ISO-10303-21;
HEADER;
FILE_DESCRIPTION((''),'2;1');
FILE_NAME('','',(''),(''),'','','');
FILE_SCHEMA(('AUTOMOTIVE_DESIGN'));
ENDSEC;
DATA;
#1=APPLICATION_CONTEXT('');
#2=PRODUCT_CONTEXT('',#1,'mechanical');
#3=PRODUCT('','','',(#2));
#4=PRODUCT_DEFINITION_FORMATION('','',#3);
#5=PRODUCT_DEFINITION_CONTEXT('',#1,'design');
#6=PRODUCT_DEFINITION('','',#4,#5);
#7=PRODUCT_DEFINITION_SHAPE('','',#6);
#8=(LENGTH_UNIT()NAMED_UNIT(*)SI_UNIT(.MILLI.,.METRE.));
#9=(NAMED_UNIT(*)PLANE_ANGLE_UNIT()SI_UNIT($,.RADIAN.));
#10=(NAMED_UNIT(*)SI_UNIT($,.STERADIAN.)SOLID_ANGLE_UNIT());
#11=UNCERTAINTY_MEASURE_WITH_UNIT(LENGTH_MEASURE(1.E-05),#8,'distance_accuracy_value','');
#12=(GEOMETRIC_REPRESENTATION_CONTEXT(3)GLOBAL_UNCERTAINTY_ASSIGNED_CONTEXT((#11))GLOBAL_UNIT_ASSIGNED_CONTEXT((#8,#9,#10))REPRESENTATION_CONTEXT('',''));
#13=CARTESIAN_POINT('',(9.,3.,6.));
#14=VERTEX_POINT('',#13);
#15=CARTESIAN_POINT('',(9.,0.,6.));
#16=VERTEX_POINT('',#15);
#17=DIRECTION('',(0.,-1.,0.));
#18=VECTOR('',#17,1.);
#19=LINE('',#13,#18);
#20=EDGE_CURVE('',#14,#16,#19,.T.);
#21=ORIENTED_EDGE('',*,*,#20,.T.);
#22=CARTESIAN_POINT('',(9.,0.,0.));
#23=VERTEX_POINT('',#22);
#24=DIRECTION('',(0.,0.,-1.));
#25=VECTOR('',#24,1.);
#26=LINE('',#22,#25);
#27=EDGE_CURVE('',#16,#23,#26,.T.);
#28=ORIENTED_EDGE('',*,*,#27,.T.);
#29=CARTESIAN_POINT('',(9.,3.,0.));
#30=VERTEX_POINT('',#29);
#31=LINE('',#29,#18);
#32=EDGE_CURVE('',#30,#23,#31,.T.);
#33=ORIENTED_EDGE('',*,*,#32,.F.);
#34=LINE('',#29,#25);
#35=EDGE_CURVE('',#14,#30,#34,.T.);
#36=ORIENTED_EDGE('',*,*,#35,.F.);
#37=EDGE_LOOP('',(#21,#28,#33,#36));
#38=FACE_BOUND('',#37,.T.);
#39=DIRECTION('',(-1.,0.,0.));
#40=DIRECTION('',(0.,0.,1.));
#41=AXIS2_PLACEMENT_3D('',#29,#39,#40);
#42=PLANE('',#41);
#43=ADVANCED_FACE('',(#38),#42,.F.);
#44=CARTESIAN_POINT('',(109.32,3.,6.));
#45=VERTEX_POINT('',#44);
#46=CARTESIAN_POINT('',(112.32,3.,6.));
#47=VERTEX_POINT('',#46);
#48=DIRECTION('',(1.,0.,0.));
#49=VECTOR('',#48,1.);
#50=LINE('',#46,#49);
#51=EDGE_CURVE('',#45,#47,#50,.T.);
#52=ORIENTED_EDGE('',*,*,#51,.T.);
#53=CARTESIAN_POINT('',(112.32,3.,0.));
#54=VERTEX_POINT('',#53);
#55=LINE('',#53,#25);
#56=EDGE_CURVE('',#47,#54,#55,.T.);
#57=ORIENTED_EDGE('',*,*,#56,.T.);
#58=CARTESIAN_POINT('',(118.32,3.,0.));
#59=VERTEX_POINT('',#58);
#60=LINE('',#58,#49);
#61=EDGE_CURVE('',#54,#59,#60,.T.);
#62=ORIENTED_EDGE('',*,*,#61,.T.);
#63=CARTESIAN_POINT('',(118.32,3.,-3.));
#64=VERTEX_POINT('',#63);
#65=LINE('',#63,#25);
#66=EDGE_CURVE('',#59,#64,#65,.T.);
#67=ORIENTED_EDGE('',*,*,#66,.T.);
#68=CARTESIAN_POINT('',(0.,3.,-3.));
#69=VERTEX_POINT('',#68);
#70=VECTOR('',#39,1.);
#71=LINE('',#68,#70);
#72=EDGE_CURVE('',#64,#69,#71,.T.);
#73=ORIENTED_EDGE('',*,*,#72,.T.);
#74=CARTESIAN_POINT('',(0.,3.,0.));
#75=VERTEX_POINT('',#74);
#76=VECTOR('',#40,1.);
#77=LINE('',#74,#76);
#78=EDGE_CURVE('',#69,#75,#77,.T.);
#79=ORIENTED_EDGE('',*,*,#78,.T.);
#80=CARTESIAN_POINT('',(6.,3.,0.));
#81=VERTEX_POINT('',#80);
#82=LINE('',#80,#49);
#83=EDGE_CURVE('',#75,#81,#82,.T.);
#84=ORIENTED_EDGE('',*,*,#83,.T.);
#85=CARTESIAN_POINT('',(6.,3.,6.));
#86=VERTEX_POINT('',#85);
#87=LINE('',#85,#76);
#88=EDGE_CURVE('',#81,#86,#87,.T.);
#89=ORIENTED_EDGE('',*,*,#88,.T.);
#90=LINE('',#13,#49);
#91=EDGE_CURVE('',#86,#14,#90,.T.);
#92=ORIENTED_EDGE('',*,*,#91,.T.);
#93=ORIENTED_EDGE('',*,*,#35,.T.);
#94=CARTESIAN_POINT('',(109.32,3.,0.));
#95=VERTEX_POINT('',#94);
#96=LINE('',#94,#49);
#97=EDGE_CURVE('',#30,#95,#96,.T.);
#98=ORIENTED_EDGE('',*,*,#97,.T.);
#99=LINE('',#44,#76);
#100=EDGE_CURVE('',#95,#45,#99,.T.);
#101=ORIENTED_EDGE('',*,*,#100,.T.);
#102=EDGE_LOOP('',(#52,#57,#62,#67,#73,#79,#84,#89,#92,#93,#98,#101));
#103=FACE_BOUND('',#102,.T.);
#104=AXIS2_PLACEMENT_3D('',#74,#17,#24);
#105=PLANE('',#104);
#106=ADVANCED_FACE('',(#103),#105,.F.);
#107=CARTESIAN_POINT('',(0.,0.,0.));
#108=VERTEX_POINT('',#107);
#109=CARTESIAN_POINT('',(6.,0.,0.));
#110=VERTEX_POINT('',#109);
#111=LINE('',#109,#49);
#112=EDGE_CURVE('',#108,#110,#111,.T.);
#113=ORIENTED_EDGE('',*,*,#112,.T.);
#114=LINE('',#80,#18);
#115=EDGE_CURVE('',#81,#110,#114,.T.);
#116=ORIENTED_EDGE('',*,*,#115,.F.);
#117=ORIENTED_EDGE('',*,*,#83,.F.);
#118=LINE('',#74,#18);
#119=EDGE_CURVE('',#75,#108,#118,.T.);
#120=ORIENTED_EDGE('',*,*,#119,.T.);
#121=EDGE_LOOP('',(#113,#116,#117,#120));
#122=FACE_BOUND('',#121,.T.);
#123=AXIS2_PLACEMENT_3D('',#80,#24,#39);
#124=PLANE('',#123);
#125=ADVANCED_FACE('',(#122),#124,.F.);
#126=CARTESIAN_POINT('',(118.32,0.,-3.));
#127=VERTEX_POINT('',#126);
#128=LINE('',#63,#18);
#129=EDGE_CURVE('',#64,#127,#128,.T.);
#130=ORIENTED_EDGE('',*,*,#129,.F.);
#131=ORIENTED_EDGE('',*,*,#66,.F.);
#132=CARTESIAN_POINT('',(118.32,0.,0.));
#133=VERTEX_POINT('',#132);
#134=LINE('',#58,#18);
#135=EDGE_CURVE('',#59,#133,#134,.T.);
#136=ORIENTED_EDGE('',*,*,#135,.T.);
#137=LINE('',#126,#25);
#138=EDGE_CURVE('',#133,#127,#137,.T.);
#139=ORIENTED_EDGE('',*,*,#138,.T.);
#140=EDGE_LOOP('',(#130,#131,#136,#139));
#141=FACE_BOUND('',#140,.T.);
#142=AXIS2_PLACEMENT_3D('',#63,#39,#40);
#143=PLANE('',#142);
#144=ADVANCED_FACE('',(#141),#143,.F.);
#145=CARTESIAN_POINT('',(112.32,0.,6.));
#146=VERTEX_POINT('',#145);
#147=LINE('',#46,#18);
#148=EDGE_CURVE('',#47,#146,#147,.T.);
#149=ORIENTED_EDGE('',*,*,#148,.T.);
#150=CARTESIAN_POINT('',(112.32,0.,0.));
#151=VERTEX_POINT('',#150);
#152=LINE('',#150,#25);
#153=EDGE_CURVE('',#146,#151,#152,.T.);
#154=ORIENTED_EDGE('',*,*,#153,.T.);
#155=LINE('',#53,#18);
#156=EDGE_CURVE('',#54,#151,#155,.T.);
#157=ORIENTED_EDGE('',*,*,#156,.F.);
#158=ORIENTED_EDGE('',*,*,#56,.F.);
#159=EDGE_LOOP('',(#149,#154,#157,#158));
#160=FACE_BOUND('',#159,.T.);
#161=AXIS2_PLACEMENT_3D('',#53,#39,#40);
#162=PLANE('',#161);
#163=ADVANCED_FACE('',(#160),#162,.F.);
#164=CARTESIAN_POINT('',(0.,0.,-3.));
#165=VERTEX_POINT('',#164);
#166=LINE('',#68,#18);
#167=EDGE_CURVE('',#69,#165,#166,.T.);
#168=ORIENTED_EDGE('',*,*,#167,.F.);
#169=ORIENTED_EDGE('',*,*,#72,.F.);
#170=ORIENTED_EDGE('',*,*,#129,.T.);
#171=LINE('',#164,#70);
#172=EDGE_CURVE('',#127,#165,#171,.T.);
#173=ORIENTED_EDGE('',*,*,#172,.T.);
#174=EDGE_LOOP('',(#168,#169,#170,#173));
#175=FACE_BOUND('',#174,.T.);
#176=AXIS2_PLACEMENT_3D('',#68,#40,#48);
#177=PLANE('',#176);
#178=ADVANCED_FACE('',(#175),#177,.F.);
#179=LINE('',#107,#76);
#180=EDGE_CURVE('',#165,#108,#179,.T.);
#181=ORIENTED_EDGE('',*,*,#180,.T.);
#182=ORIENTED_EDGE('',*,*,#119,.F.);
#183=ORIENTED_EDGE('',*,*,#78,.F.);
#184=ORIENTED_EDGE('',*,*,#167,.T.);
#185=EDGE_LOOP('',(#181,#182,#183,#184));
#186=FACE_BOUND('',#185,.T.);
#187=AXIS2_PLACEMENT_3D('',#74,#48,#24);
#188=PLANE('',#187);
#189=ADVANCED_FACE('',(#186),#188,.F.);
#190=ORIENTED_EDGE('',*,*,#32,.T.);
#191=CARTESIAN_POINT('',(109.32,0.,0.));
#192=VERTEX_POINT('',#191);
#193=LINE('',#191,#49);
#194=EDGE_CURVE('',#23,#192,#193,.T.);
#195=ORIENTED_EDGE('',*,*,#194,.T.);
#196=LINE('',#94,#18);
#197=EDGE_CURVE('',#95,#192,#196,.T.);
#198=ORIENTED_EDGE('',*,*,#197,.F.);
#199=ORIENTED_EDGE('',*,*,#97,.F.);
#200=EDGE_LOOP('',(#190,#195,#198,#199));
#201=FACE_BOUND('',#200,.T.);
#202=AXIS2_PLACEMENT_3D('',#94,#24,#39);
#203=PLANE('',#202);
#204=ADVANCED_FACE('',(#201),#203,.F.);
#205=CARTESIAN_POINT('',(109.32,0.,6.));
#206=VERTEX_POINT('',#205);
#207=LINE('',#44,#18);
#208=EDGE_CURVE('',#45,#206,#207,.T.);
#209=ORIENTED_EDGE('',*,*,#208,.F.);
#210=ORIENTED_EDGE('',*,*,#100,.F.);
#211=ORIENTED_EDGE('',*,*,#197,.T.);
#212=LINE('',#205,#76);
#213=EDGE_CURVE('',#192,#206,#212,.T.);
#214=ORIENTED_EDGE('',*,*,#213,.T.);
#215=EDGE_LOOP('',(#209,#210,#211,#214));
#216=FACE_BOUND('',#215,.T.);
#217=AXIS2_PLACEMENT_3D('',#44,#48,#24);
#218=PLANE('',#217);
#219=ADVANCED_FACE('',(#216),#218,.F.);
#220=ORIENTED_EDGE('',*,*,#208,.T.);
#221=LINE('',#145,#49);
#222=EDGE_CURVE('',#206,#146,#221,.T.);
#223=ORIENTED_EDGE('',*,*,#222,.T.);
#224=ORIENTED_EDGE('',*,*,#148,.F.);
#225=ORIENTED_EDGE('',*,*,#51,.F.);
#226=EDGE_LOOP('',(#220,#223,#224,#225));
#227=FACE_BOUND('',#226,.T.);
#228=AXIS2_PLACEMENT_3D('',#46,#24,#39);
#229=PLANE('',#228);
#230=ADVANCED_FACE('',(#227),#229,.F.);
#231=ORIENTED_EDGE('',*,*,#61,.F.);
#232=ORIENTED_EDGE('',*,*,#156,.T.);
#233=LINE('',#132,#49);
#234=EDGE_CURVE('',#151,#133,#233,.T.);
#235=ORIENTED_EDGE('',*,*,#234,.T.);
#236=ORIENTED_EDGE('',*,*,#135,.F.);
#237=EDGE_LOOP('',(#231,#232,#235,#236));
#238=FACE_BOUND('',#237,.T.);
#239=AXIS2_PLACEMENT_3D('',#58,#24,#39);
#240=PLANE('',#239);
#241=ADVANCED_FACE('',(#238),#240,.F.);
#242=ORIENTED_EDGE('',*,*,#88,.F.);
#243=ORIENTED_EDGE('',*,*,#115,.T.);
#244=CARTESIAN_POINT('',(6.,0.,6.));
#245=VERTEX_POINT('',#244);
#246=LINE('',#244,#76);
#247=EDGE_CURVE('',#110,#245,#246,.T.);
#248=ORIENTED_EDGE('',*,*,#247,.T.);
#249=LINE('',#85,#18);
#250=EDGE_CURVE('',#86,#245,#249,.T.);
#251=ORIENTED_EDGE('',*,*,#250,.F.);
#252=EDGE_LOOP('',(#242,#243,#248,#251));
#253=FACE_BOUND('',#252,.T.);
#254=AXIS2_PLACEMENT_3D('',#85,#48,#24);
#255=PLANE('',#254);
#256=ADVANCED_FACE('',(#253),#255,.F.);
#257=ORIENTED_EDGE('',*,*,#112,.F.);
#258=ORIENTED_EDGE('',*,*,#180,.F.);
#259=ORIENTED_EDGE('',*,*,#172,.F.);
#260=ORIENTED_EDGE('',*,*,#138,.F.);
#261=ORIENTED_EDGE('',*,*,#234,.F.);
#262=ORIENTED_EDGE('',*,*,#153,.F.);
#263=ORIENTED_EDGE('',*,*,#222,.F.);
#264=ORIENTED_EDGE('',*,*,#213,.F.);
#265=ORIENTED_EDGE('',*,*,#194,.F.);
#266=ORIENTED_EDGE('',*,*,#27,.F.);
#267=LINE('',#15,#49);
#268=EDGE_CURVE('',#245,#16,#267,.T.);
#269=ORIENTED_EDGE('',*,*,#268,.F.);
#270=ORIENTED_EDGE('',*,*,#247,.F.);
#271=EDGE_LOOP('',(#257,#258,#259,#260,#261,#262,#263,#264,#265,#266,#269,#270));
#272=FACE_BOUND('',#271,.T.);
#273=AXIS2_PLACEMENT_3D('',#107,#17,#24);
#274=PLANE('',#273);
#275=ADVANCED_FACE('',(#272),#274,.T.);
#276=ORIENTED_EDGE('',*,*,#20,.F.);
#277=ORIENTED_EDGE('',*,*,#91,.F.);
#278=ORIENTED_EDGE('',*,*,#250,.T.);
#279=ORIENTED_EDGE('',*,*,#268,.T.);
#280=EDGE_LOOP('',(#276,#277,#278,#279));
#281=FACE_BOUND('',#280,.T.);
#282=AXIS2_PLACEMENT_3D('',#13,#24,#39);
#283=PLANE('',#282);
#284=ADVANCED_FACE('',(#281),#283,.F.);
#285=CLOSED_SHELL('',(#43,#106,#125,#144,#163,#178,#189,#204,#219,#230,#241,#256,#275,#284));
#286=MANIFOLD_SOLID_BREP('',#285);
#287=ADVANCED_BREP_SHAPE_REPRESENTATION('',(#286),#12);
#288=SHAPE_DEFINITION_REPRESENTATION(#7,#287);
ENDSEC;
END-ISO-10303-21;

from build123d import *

# Parameters (mm, degrees)
BOSS_EXTRUDE2_DEPTH = 3


with BuildPart() as part:
    # Sketch1 → Boss-Extrude2 (new body)
    with BuildSketch(Plane(origin=(0, 0, 0), x_dir=(1, 0, 0), z_dir=(0, 1, 0))):
        Polygon((0, 0), (0, 3), (118.32, 3), (118.32, 0), (112.32, 0), (112.32, -6), (109.32, -6), (109.32, 0), (9, 0), (9, -6), (6, -6), (6, 0), align=None)
    extrude(amount=BOSS_EXTRUDE2_DEPTH)


solid = part.part
